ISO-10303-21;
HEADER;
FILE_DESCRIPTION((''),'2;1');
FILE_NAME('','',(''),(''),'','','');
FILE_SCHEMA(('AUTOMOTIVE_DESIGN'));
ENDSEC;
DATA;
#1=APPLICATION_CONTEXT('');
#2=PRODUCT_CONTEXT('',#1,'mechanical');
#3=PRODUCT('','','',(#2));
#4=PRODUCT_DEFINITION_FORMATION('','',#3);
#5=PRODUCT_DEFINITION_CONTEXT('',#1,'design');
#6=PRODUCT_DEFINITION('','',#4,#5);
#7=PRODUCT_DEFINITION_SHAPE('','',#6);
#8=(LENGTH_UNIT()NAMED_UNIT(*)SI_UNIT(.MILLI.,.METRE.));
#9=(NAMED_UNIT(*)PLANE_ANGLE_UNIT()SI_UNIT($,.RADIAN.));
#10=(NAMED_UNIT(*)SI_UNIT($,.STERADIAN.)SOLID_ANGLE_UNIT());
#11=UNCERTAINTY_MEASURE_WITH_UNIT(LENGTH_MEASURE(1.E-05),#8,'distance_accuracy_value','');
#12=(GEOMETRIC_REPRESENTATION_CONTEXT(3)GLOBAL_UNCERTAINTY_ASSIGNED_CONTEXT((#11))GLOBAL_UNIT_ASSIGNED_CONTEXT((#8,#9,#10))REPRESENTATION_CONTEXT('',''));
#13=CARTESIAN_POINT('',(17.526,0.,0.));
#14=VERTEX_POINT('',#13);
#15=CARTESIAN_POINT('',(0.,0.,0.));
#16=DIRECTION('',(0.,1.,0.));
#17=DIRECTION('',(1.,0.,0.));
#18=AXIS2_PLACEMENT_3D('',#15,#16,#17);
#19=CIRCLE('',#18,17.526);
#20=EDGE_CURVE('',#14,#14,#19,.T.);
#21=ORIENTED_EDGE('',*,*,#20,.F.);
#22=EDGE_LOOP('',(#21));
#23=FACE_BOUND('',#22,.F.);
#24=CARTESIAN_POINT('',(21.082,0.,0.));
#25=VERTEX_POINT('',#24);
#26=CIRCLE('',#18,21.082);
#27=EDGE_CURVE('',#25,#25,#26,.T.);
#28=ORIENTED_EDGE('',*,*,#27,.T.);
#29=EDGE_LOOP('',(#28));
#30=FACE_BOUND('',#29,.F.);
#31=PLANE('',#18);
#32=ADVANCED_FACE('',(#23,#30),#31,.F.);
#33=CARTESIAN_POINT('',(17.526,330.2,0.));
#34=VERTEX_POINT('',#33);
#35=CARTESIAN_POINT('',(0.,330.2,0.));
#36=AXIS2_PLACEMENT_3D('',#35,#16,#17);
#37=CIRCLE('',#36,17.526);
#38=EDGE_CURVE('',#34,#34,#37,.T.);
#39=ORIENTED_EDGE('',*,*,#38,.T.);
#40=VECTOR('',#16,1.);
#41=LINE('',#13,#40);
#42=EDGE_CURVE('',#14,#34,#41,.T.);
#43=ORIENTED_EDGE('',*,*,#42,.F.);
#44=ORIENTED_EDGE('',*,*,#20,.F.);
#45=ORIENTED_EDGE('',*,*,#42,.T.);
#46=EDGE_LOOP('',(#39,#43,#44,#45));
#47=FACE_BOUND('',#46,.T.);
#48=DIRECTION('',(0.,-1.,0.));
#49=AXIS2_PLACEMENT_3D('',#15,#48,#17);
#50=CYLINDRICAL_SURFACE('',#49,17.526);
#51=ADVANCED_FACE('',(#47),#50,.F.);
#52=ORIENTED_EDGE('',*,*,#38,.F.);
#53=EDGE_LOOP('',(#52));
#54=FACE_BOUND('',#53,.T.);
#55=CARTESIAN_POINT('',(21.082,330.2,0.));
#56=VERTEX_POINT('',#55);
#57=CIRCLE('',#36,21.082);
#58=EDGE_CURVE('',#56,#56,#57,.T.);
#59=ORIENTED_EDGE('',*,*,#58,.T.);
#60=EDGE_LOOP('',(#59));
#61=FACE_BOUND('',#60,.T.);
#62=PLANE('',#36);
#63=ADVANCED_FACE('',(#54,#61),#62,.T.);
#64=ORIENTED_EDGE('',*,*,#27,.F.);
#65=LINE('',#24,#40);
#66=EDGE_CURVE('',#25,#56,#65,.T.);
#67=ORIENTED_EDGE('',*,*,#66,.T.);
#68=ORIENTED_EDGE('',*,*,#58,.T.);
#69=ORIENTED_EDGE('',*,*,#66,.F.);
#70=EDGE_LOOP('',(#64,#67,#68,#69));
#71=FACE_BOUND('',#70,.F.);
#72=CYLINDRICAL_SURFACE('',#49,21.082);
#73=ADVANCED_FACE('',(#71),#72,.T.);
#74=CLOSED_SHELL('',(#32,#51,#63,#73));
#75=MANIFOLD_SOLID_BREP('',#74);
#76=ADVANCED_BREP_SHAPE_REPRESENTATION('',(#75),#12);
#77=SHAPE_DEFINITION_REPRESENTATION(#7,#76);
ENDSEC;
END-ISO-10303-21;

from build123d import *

# Parameters (mm, degrees)
SKETCH1_R           = 21.082
SKETCH1_R_2         = 17.526
BOSS_EXTRUDE1_DEPTH = 330.2


with BuildPart() as part:
    # Sketch1 → Boss-Extrude1 (new body)
    with BuildSketch(Plane(origin=(0, 0, 0), x_dir=(1, 0, 0), z_dir=(0, 1, 0))):
        Circle(SKETCH1_R)
        Circle(SKETCH1_R_2, mode=Mode.SUBTRACT)
    extrude(amount=BOSS_EXTRUDE1_DEPTH)


solid = part.part
